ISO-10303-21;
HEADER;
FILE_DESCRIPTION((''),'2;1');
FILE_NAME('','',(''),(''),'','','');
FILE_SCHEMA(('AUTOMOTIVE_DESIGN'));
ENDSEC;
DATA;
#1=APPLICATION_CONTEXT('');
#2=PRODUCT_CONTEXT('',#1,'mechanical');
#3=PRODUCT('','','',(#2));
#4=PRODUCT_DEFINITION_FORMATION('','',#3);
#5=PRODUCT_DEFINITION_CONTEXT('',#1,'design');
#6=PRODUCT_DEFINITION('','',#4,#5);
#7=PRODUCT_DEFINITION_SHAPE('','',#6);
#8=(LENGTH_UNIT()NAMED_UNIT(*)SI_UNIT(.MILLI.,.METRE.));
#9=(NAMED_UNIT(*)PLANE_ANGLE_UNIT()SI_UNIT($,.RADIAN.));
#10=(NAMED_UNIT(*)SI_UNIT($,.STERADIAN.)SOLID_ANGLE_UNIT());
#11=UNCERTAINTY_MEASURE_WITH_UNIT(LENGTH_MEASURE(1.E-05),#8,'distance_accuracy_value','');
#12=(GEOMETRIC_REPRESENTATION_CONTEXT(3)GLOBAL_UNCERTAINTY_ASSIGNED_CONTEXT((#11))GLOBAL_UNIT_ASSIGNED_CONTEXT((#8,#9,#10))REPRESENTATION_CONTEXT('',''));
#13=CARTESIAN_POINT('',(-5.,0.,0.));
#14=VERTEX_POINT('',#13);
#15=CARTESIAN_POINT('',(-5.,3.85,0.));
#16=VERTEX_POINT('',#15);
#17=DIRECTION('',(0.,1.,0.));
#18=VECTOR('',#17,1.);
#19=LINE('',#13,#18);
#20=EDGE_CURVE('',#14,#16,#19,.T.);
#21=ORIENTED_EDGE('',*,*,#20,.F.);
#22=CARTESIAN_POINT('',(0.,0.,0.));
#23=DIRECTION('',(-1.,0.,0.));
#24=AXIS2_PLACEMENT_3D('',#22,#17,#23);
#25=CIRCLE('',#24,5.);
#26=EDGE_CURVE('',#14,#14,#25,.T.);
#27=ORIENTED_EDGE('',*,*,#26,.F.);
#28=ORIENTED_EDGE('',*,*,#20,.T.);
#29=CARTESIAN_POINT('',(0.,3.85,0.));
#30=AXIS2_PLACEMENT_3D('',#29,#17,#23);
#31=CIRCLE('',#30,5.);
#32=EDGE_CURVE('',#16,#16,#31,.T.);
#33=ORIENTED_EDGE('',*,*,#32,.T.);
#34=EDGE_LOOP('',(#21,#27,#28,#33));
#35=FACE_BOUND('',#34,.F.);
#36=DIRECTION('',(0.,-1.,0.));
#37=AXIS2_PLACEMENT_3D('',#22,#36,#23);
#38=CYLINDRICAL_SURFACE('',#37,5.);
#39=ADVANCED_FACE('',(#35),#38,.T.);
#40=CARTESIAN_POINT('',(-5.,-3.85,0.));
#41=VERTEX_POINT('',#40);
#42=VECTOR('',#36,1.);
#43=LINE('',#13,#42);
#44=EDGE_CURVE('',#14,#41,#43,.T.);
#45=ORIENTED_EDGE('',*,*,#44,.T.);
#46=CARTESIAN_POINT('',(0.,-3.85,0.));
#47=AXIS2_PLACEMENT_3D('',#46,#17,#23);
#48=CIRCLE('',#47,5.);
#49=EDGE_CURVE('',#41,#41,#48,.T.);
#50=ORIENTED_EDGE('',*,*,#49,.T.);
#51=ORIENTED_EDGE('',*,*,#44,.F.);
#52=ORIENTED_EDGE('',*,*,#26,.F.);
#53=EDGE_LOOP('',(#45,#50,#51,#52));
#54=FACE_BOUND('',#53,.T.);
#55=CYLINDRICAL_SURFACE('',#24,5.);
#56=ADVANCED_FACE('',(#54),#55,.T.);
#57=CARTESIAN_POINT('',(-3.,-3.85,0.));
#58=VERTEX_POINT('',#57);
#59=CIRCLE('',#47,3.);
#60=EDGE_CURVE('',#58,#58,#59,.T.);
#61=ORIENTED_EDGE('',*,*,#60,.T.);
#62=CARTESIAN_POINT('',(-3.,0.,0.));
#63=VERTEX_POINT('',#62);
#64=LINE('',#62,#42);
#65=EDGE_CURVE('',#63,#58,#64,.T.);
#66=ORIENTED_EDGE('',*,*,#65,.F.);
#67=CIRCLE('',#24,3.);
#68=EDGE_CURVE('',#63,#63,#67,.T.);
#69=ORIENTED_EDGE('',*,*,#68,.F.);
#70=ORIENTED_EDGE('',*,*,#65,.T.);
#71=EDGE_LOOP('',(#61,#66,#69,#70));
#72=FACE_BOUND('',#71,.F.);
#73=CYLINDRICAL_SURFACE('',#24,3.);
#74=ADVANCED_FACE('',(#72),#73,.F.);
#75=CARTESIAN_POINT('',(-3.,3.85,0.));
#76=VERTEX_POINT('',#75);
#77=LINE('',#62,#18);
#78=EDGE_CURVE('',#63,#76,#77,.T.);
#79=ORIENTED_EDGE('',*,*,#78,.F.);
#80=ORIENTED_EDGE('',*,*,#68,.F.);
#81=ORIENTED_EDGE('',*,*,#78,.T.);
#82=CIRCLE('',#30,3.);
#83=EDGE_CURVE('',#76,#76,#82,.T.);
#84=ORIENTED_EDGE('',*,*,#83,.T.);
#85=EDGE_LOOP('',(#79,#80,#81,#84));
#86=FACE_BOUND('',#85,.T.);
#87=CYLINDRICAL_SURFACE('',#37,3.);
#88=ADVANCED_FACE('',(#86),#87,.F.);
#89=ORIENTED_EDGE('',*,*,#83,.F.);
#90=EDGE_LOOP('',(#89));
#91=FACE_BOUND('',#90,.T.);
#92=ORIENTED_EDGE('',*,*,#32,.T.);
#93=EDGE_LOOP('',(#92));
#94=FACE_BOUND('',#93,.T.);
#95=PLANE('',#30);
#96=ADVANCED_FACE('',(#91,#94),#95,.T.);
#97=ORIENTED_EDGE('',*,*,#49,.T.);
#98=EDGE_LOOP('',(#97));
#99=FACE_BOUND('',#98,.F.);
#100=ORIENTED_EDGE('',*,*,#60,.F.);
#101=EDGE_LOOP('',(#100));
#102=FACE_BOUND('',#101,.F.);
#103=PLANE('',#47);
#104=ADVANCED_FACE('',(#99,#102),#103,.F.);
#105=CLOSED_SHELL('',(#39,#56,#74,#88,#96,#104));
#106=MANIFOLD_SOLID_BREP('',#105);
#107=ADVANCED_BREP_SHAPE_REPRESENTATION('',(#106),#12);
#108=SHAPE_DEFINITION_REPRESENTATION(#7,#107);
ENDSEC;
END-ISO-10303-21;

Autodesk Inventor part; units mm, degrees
ref_plane "YZ Plane" through (0, 0, 0) normal (1, 0, 0) x (0, 1, 0)
ref_plane "XZ Plane" through (0, 0, 0) normal (0, 1, 0) x (-1, 0, 0)
ref_plane "XY Plane" through (0, 0, 0) normal (0, 0, 1) x (1, 0, 0)
sketch "Skizze1" plane through (0, 0, 0) normal (0, 1, 0) x (-1, 0, 0)
  circle A0 centre (0, 0) radius 3
  circle A1 centre (0, 0) radius 5
  dimension "d0" = 6
  dimension "d1" = 2
extrude "Extrusion1" add sketch "Skizze1" along normal mid plane 7.7
properties part number "23_Spacers_7.7mm" material "PET-Kunststoff"
